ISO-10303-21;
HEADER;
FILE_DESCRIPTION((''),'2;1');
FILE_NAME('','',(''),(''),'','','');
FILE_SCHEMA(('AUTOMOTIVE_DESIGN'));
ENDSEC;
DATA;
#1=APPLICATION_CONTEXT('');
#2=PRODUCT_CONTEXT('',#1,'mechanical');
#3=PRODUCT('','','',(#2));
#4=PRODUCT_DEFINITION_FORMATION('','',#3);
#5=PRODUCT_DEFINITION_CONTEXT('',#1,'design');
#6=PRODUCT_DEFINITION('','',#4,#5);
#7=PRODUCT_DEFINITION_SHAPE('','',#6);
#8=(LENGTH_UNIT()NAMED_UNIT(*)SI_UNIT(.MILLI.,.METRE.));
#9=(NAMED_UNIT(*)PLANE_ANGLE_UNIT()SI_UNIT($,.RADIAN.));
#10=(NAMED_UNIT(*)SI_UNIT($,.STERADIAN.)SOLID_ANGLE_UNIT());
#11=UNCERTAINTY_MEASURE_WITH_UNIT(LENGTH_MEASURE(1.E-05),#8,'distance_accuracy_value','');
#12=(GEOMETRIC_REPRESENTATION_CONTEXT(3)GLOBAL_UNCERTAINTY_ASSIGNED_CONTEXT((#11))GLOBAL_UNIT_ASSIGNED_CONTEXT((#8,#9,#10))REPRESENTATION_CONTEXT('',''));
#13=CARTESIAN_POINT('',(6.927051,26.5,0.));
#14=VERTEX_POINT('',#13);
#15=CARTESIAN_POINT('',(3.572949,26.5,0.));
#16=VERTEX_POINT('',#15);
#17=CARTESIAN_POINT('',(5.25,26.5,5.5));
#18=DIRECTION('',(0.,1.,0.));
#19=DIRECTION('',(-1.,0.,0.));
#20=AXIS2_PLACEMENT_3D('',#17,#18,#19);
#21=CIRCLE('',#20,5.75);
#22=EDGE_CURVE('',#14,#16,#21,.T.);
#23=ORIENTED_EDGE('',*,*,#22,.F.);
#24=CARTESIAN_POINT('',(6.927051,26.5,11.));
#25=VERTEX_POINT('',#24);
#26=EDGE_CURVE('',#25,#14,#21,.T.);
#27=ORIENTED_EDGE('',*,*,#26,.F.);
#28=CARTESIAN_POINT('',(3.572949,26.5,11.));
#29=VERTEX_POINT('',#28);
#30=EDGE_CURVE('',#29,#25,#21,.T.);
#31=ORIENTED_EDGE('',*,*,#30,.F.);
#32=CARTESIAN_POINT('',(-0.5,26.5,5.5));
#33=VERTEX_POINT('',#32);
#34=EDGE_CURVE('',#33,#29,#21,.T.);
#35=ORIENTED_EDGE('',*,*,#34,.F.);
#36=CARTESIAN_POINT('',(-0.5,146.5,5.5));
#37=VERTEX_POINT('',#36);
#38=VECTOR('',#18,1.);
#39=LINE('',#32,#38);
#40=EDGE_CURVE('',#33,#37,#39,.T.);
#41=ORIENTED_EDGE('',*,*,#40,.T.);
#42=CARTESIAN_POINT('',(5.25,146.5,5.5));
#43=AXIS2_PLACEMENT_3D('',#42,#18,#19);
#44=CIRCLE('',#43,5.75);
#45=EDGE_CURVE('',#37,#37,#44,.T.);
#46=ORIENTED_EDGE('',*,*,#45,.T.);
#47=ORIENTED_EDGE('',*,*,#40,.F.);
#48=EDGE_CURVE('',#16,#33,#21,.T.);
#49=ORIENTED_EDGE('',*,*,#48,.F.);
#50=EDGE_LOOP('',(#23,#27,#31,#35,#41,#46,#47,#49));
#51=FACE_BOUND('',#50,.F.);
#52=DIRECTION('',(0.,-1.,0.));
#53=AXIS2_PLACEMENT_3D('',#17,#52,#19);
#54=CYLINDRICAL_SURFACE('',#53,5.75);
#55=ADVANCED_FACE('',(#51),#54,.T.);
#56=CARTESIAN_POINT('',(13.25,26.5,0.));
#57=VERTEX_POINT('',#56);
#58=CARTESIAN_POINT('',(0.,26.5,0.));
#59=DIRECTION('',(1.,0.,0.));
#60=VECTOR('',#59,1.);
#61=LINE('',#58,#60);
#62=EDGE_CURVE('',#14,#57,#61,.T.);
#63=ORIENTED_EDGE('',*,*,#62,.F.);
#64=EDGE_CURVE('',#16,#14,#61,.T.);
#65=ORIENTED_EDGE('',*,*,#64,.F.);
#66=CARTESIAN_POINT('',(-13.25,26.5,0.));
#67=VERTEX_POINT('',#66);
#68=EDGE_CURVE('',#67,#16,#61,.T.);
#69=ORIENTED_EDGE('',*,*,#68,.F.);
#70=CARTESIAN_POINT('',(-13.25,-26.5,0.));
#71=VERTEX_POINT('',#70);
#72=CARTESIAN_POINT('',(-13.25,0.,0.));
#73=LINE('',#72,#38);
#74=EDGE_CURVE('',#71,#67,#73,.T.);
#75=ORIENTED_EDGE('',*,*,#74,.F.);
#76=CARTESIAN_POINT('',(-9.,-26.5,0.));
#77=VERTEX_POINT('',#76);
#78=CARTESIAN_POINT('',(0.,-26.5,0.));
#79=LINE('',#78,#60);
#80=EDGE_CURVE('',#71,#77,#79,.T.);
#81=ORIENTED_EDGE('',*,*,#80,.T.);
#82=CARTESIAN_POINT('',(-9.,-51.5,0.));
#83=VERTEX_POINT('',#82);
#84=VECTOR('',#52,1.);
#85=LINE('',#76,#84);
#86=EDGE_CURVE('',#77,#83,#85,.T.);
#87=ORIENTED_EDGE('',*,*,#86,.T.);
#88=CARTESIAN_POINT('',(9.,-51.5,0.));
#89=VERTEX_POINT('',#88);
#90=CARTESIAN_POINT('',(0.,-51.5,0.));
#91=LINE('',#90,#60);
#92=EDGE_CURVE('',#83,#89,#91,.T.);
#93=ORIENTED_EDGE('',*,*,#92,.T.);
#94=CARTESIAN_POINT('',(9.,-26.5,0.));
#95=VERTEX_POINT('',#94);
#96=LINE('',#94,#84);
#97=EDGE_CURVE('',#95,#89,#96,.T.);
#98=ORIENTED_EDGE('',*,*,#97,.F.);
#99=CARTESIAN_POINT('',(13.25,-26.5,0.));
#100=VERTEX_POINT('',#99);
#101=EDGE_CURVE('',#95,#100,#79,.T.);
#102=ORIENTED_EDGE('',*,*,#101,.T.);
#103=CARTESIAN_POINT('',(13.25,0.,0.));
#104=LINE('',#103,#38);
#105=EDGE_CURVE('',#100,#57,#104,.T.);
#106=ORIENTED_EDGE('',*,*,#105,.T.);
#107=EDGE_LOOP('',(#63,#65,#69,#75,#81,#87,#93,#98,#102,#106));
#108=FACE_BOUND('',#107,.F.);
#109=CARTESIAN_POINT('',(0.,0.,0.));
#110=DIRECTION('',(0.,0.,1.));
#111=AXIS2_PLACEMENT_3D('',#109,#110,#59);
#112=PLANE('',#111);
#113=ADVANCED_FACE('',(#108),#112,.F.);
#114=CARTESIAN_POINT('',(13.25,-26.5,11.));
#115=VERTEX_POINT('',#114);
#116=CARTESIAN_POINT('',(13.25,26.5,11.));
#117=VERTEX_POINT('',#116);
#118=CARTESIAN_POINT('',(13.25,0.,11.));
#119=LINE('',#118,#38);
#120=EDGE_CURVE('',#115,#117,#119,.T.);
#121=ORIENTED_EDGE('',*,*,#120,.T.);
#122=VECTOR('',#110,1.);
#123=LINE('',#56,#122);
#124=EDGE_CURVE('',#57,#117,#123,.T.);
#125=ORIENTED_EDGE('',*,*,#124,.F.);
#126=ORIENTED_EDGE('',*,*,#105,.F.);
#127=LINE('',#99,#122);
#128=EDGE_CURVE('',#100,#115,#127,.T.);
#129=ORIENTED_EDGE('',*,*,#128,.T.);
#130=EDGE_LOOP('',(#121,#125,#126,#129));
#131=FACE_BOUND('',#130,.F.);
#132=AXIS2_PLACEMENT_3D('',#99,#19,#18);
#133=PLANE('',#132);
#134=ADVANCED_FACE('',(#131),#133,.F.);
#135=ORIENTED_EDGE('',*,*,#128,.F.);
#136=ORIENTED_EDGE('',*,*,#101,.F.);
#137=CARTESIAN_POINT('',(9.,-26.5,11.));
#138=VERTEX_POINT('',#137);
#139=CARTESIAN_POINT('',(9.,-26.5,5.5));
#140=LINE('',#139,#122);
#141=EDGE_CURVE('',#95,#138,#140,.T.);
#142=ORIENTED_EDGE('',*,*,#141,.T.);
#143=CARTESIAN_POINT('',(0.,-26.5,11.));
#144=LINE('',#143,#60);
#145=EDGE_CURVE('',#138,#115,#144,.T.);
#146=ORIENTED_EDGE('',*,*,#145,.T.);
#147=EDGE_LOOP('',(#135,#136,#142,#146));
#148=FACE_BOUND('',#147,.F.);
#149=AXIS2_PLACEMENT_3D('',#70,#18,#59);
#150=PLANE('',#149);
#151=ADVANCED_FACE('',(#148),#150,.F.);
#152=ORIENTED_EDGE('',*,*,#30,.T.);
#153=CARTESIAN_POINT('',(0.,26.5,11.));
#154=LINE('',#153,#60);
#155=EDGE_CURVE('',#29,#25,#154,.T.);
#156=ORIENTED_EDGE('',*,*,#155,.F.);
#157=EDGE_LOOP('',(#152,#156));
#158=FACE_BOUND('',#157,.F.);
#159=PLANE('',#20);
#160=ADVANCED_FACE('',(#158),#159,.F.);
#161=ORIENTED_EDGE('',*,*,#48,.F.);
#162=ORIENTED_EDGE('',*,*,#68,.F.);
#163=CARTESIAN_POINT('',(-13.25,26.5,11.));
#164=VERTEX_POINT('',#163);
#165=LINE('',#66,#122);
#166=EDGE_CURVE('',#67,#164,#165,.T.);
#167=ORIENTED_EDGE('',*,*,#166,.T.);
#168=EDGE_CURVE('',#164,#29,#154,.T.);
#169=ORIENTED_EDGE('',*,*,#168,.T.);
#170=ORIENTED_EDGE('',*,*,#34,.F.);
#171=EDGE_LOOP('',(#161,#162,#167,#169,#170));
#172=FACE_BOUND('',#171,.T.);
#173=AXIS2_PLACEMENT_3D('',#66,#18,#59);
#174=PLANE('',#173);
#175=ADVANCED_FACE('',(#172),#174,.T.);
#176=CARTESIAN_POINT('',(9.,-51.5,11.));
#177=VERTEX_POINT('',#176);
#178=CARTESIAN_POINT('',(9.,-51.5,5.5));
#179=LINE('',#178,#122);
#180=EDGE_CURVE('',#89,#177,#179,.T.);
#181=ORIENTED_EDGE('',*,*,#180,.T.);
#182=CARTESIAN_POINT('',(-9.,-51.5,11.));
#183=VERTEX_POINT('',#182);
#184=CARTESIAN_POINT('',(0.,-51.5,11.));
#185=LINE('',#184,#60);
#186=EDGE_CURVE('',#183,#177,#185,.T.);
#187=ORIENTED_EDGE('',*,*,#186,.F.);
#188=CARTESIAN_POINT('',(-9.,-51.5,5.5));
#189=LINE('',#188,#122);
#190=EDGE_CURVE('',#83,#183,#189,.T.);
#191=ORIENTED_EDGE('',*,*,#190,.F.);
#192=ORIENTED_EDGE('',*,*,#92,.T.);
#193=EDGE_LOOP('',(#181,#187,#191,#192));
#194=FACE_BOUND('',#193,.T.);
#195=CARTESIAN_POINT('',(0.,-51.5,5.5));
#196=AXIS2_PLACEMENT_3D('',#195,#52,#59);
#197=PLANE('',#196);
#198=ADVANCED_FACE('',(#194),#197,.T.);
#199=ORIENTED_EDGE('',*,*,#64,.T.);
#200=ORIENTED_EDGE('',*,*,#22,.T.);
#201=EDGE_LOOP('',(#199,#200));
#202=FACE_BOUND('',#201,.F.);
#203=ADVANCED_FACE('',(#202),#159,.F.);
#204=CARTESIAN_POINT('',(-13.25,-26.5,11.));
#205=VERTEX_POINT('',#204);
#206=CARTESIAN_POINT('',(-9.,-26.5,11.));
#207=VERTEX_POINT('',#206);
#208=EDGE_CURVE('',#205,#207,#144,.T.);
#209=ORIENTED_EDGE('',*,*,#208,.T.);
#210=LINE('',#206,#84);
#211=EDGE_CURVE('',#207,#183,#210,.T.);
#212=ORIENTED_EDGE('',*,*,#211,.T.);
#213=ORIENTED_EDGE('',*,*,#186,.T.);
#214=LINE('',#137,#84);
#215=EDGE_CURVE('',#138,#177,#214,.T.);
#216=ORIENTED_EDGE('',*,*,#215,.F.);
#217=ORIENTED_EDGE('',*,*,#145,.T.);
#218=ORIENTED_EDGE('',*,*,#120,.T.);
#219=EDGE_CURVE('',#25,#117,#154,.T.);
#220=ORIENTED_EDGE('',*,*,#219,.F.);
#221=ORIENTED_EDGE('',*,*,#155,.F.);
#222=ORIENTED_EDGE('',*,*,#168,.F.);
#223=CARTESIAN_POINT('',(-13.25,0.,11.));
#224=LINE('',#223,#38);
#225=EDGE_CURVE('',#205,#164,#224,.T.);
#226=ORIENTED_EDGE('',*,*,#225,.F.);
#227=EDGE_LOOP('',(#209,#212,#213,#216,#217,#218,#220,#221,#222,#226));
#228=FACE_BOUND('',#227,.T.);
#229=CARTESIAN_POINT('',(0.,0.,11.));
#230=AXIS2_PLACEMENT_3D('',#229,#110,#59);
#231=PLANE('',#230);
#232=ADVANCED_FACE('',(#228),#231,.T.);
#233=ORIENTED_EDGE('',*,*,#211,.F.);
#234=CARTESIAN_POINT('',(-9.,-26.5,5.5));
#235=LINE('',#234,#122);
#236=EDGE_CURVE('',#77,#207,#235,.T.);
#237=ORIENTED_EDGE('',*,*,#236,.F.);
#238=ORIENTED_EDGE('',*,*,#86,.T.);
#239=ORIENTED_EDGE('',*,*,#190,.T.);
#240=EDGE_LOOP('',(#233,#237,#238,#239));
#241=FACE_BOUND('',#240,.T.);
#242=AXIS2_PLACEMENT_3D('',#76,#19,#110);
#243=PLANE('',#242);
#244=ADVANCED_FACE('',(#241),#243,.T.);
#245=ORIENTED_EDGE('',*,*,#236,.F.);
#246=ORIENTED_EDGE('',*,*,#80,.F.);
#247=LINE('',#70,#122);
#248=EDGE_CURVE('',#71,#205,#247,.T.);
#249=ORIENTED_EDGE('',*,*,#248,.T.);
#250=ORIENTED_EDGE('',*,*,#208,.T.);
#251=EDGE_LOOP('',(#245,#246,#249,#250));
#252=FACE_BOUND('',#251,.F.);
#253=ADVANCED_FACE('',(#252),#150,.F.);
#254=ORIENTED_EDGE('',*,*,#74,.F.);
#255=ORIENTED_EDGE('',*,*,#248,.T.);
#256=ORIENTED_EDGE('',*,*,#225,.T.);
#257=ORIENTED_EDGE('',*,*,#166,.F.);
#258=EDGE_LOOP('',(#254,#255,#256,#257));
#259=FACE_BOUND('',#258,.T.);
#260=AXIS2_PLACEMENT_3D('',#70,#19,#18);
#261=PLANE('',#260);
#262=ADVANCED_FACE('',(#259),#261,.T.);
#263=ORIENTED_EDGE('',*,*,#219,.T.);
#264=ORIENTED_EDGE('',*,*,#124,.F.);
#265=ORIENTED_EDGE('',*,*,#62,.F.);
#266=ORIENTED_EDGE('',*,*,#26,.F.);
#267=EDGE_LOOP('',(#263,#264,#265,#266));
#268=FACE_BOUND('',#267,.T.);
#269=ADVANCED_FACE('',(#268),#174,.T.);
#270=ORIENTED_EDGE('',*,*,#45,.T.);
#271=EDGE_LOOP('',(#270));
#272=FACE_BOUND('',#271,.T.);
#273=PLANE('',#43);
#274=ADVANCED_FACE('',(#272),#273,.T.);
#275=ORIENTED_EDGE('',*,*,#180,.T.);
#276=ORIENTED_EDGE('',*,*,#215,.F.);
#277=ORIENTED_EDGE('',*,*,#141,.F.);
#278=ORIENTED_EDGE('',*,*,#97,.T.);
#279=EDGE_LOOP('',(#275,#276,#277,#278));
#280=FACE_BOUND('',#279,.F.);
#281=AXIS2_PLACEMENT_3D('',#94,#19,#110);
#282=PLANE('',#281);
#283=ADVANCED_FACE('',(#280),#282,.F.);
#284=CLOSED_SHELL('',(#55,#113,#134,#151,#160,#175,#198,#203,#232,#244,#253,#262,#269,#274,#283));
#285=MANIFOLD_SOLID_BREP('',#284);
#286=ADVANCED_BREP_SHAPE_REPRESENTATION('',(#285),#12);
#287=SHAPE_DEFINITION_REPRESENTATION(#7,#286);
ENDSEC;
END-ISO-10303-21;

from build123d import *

# Parameters (mm, degrees)
F0_W     = 26.5
F0_H     = 53
F1_DEPTH = 11
F2_R     = 5.75
F3_DEPTH = 120
F4_W     = 18
F4_H     = 11
F5_DEPTH = 25


with BuildPart() as f1:
    # F0 (on Top) → F1 (new body)
    with BuildSketch(Plane.XY):
        Rectangle(F0_W, F0_H)
    extrude(amount=F1_DEPTH)

    # F2 (on face) → F3 (join)
    with BuildSketch(Plane(origin=(0, 26.5, 0), x_dir=(-1, 0, 0), z_dir=(0, 1, 0))):
        with Locations((-5.25, 5.5)):
            Circle(F2_R)
    extrude(amount=F3_DEPTH)

    # F4 (on face) → F5 (join)
    with BuildSketch(Plane.XZ.offset(26.5)):
        with Locations((0, 5.5)):
            Rectangle(F4_W, F4_H)
    extrude(amount=F5_DEPTH)


solid = f1.part
